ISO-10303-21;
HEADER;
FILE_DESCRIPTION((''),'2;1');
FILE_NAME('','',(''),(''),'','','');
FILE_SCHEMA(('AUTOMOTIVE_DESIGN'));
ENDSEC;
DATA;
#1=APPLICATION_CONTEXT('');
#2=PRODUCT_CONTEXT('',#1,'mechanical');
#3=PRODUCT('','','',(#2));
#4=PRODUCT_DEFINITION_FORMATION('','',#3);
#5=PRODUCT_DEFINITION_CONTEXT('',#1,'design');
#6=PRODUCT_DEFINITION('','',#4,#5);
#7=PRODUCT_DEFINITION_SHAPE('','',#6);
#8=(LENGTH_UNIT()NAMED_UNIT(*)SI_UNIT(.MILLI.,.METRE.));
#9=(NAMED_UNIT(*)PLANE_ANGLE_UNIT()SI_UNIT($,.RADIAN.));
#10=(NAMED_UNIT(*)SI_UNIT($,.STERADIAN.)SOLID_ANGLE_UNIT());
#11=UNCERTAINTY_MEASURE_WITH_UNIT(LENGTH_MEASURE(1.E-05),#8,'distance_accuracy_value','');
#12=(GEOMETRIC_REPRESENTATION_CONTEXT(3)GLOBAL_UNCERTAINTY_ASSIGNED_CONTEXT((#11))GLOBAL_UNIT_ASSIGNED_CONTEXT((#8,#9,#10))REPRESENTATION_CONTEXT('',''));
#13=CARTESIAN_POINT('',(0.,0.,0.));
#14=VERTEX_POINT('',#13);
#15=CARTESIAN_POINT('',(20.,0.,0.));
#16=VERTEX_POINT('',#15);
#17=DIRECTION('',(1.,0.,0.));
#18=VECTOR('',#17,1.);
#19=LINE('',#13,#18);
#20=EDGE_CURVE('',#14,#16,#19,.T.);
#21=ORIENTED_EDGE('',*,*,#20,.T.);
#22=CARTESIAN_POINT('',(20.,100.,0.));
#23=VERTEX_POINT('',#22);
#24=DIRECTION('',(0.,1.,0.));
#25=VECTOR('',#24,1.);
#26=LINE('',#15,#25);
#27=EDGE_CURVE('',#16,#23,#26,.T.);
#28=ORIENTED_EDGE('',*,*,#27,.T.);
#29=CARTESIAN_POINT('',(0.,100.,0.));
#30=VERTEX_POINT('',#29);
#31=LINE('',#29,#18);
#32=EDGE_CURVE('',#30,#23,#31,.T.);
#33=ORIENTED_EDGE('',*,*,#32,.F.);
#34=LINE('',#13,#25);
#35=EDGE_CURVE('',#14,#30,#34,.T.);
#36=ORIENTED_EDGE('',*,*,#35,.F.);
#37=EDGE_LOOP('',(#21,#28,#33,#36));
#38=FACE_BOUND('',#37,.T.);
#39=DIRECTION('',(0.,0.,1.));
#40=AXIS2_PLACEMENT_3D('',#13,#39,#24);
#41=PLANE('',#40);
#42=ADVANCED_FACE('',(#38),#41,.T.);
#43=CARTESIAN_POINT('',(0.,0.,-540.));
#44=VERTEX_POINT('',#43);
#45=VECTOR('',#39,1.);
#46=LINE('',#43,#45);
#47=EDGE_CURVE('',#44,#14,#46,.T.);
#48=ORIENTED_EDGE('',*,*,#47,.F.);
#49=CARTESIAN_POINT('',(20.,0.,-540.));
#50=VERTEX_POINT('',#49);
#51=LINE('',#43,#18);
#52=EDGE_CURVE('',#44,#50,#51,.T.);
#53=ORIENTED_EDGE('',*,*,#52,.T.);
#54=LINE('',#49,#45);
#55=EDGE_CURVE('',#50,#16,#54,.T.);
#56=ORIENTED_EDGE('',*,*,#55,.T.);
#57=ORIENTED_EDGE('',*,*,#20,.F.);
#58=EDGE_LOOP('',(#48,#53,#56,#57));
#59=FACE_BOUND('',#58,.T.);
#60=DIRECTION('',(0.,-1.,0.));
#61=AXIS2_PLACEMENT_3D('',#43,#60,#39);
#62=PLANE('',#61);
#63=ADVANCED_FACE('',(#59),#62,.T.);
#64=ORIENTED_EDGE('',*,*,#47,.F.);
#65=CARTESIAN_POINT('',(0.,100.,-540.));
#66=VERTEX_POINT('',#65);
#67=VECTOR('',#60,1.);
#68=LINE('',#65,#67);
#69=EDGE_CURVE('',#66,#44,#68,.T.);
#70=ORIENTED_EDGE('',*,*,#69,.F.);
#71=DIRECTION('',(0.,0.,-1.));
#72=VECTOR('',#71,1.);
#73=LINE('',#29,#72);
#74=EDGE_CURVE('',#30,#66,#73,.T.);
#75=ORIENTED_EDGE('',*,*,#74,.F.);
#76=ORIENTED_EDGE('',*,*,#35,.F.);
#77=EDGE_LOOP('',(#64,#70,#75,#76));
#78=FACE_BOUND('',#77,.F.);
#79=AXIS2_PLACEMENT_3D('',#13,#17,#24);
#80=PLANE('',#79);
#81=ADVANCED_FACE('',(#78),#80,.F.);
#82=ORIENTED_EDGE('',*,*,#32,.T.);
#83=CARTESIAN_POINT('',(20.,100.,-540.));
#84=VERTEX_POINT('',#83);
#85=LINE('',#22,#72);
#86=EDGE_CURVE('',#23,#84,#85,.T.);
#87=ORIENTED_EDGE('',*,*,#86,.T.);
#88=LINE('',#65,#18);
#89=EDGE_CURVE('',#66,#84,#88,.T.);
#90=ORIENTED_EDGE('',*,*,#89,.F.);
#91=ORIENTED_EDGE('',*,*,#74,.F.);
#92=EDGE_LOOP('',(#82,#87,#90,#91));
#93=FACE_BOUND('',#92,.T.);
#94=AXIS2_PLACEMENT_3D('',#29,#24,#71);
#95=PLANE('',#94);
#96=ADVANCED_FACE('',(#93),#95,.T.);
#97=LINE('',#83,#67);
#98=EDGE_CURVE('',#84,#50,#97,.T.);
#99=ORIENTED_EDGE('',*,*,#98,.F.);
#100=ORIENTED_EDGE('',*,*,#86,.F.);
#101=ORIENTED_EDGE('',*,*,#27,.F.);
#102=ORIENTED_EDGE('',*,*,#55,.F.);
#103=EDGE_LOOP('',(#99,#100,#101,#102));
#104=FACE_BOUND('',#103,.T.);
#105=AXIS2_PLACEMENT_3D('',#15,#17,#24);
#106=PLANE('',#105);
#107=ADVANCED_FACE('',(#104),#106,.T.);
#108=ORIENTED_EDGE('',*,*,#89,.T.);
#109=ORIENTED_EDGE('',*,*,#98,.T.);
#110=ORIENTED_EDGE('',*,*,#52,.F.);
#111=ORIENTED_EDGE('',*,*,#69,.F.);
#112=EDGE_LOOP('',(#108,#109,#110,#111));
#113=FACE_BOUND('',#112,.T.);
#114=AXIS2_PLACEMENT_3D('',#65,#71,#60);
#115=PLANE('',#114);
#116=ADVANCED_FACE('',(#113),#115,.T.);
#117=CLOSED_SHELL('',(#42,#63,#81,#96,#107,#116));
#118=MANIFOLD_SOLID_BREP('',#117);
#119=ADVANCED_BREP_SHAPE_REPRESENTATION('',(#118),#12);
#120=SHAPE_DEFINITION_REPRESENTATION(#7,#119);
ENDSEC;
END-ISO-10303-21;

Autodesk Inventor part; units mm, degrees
ref_plane "YZ Plane" through (0, 0, 0) normal (1, 0, 0) x (0, 1, 0)
ref_plane "XZ Plane" through (0, 0, 0) normal (0, 1, 0) x (-1, 0, 0)
ref_plane "XY Plane" through (0, 0, 0) normal (0, 0, 1) x (1, 0, 0)
sketch "Sketch1" plane through (0, 0, 0) normal (1, 0, 0) x (0, 1, 0)
  line L0 (0, 0) -> (100, 0)
  line L1 (100, 0) -> (100, -540)
  line L2 (100, -540) -> (0, -540)
  line L3 (0, -540) -> (0, 0)
  dimension "d0" = 100
  dimension "d1" = 540
extrude "Extrusion1" add sketch "Sketch1" along normal blind 20
properties part number "internal border"
